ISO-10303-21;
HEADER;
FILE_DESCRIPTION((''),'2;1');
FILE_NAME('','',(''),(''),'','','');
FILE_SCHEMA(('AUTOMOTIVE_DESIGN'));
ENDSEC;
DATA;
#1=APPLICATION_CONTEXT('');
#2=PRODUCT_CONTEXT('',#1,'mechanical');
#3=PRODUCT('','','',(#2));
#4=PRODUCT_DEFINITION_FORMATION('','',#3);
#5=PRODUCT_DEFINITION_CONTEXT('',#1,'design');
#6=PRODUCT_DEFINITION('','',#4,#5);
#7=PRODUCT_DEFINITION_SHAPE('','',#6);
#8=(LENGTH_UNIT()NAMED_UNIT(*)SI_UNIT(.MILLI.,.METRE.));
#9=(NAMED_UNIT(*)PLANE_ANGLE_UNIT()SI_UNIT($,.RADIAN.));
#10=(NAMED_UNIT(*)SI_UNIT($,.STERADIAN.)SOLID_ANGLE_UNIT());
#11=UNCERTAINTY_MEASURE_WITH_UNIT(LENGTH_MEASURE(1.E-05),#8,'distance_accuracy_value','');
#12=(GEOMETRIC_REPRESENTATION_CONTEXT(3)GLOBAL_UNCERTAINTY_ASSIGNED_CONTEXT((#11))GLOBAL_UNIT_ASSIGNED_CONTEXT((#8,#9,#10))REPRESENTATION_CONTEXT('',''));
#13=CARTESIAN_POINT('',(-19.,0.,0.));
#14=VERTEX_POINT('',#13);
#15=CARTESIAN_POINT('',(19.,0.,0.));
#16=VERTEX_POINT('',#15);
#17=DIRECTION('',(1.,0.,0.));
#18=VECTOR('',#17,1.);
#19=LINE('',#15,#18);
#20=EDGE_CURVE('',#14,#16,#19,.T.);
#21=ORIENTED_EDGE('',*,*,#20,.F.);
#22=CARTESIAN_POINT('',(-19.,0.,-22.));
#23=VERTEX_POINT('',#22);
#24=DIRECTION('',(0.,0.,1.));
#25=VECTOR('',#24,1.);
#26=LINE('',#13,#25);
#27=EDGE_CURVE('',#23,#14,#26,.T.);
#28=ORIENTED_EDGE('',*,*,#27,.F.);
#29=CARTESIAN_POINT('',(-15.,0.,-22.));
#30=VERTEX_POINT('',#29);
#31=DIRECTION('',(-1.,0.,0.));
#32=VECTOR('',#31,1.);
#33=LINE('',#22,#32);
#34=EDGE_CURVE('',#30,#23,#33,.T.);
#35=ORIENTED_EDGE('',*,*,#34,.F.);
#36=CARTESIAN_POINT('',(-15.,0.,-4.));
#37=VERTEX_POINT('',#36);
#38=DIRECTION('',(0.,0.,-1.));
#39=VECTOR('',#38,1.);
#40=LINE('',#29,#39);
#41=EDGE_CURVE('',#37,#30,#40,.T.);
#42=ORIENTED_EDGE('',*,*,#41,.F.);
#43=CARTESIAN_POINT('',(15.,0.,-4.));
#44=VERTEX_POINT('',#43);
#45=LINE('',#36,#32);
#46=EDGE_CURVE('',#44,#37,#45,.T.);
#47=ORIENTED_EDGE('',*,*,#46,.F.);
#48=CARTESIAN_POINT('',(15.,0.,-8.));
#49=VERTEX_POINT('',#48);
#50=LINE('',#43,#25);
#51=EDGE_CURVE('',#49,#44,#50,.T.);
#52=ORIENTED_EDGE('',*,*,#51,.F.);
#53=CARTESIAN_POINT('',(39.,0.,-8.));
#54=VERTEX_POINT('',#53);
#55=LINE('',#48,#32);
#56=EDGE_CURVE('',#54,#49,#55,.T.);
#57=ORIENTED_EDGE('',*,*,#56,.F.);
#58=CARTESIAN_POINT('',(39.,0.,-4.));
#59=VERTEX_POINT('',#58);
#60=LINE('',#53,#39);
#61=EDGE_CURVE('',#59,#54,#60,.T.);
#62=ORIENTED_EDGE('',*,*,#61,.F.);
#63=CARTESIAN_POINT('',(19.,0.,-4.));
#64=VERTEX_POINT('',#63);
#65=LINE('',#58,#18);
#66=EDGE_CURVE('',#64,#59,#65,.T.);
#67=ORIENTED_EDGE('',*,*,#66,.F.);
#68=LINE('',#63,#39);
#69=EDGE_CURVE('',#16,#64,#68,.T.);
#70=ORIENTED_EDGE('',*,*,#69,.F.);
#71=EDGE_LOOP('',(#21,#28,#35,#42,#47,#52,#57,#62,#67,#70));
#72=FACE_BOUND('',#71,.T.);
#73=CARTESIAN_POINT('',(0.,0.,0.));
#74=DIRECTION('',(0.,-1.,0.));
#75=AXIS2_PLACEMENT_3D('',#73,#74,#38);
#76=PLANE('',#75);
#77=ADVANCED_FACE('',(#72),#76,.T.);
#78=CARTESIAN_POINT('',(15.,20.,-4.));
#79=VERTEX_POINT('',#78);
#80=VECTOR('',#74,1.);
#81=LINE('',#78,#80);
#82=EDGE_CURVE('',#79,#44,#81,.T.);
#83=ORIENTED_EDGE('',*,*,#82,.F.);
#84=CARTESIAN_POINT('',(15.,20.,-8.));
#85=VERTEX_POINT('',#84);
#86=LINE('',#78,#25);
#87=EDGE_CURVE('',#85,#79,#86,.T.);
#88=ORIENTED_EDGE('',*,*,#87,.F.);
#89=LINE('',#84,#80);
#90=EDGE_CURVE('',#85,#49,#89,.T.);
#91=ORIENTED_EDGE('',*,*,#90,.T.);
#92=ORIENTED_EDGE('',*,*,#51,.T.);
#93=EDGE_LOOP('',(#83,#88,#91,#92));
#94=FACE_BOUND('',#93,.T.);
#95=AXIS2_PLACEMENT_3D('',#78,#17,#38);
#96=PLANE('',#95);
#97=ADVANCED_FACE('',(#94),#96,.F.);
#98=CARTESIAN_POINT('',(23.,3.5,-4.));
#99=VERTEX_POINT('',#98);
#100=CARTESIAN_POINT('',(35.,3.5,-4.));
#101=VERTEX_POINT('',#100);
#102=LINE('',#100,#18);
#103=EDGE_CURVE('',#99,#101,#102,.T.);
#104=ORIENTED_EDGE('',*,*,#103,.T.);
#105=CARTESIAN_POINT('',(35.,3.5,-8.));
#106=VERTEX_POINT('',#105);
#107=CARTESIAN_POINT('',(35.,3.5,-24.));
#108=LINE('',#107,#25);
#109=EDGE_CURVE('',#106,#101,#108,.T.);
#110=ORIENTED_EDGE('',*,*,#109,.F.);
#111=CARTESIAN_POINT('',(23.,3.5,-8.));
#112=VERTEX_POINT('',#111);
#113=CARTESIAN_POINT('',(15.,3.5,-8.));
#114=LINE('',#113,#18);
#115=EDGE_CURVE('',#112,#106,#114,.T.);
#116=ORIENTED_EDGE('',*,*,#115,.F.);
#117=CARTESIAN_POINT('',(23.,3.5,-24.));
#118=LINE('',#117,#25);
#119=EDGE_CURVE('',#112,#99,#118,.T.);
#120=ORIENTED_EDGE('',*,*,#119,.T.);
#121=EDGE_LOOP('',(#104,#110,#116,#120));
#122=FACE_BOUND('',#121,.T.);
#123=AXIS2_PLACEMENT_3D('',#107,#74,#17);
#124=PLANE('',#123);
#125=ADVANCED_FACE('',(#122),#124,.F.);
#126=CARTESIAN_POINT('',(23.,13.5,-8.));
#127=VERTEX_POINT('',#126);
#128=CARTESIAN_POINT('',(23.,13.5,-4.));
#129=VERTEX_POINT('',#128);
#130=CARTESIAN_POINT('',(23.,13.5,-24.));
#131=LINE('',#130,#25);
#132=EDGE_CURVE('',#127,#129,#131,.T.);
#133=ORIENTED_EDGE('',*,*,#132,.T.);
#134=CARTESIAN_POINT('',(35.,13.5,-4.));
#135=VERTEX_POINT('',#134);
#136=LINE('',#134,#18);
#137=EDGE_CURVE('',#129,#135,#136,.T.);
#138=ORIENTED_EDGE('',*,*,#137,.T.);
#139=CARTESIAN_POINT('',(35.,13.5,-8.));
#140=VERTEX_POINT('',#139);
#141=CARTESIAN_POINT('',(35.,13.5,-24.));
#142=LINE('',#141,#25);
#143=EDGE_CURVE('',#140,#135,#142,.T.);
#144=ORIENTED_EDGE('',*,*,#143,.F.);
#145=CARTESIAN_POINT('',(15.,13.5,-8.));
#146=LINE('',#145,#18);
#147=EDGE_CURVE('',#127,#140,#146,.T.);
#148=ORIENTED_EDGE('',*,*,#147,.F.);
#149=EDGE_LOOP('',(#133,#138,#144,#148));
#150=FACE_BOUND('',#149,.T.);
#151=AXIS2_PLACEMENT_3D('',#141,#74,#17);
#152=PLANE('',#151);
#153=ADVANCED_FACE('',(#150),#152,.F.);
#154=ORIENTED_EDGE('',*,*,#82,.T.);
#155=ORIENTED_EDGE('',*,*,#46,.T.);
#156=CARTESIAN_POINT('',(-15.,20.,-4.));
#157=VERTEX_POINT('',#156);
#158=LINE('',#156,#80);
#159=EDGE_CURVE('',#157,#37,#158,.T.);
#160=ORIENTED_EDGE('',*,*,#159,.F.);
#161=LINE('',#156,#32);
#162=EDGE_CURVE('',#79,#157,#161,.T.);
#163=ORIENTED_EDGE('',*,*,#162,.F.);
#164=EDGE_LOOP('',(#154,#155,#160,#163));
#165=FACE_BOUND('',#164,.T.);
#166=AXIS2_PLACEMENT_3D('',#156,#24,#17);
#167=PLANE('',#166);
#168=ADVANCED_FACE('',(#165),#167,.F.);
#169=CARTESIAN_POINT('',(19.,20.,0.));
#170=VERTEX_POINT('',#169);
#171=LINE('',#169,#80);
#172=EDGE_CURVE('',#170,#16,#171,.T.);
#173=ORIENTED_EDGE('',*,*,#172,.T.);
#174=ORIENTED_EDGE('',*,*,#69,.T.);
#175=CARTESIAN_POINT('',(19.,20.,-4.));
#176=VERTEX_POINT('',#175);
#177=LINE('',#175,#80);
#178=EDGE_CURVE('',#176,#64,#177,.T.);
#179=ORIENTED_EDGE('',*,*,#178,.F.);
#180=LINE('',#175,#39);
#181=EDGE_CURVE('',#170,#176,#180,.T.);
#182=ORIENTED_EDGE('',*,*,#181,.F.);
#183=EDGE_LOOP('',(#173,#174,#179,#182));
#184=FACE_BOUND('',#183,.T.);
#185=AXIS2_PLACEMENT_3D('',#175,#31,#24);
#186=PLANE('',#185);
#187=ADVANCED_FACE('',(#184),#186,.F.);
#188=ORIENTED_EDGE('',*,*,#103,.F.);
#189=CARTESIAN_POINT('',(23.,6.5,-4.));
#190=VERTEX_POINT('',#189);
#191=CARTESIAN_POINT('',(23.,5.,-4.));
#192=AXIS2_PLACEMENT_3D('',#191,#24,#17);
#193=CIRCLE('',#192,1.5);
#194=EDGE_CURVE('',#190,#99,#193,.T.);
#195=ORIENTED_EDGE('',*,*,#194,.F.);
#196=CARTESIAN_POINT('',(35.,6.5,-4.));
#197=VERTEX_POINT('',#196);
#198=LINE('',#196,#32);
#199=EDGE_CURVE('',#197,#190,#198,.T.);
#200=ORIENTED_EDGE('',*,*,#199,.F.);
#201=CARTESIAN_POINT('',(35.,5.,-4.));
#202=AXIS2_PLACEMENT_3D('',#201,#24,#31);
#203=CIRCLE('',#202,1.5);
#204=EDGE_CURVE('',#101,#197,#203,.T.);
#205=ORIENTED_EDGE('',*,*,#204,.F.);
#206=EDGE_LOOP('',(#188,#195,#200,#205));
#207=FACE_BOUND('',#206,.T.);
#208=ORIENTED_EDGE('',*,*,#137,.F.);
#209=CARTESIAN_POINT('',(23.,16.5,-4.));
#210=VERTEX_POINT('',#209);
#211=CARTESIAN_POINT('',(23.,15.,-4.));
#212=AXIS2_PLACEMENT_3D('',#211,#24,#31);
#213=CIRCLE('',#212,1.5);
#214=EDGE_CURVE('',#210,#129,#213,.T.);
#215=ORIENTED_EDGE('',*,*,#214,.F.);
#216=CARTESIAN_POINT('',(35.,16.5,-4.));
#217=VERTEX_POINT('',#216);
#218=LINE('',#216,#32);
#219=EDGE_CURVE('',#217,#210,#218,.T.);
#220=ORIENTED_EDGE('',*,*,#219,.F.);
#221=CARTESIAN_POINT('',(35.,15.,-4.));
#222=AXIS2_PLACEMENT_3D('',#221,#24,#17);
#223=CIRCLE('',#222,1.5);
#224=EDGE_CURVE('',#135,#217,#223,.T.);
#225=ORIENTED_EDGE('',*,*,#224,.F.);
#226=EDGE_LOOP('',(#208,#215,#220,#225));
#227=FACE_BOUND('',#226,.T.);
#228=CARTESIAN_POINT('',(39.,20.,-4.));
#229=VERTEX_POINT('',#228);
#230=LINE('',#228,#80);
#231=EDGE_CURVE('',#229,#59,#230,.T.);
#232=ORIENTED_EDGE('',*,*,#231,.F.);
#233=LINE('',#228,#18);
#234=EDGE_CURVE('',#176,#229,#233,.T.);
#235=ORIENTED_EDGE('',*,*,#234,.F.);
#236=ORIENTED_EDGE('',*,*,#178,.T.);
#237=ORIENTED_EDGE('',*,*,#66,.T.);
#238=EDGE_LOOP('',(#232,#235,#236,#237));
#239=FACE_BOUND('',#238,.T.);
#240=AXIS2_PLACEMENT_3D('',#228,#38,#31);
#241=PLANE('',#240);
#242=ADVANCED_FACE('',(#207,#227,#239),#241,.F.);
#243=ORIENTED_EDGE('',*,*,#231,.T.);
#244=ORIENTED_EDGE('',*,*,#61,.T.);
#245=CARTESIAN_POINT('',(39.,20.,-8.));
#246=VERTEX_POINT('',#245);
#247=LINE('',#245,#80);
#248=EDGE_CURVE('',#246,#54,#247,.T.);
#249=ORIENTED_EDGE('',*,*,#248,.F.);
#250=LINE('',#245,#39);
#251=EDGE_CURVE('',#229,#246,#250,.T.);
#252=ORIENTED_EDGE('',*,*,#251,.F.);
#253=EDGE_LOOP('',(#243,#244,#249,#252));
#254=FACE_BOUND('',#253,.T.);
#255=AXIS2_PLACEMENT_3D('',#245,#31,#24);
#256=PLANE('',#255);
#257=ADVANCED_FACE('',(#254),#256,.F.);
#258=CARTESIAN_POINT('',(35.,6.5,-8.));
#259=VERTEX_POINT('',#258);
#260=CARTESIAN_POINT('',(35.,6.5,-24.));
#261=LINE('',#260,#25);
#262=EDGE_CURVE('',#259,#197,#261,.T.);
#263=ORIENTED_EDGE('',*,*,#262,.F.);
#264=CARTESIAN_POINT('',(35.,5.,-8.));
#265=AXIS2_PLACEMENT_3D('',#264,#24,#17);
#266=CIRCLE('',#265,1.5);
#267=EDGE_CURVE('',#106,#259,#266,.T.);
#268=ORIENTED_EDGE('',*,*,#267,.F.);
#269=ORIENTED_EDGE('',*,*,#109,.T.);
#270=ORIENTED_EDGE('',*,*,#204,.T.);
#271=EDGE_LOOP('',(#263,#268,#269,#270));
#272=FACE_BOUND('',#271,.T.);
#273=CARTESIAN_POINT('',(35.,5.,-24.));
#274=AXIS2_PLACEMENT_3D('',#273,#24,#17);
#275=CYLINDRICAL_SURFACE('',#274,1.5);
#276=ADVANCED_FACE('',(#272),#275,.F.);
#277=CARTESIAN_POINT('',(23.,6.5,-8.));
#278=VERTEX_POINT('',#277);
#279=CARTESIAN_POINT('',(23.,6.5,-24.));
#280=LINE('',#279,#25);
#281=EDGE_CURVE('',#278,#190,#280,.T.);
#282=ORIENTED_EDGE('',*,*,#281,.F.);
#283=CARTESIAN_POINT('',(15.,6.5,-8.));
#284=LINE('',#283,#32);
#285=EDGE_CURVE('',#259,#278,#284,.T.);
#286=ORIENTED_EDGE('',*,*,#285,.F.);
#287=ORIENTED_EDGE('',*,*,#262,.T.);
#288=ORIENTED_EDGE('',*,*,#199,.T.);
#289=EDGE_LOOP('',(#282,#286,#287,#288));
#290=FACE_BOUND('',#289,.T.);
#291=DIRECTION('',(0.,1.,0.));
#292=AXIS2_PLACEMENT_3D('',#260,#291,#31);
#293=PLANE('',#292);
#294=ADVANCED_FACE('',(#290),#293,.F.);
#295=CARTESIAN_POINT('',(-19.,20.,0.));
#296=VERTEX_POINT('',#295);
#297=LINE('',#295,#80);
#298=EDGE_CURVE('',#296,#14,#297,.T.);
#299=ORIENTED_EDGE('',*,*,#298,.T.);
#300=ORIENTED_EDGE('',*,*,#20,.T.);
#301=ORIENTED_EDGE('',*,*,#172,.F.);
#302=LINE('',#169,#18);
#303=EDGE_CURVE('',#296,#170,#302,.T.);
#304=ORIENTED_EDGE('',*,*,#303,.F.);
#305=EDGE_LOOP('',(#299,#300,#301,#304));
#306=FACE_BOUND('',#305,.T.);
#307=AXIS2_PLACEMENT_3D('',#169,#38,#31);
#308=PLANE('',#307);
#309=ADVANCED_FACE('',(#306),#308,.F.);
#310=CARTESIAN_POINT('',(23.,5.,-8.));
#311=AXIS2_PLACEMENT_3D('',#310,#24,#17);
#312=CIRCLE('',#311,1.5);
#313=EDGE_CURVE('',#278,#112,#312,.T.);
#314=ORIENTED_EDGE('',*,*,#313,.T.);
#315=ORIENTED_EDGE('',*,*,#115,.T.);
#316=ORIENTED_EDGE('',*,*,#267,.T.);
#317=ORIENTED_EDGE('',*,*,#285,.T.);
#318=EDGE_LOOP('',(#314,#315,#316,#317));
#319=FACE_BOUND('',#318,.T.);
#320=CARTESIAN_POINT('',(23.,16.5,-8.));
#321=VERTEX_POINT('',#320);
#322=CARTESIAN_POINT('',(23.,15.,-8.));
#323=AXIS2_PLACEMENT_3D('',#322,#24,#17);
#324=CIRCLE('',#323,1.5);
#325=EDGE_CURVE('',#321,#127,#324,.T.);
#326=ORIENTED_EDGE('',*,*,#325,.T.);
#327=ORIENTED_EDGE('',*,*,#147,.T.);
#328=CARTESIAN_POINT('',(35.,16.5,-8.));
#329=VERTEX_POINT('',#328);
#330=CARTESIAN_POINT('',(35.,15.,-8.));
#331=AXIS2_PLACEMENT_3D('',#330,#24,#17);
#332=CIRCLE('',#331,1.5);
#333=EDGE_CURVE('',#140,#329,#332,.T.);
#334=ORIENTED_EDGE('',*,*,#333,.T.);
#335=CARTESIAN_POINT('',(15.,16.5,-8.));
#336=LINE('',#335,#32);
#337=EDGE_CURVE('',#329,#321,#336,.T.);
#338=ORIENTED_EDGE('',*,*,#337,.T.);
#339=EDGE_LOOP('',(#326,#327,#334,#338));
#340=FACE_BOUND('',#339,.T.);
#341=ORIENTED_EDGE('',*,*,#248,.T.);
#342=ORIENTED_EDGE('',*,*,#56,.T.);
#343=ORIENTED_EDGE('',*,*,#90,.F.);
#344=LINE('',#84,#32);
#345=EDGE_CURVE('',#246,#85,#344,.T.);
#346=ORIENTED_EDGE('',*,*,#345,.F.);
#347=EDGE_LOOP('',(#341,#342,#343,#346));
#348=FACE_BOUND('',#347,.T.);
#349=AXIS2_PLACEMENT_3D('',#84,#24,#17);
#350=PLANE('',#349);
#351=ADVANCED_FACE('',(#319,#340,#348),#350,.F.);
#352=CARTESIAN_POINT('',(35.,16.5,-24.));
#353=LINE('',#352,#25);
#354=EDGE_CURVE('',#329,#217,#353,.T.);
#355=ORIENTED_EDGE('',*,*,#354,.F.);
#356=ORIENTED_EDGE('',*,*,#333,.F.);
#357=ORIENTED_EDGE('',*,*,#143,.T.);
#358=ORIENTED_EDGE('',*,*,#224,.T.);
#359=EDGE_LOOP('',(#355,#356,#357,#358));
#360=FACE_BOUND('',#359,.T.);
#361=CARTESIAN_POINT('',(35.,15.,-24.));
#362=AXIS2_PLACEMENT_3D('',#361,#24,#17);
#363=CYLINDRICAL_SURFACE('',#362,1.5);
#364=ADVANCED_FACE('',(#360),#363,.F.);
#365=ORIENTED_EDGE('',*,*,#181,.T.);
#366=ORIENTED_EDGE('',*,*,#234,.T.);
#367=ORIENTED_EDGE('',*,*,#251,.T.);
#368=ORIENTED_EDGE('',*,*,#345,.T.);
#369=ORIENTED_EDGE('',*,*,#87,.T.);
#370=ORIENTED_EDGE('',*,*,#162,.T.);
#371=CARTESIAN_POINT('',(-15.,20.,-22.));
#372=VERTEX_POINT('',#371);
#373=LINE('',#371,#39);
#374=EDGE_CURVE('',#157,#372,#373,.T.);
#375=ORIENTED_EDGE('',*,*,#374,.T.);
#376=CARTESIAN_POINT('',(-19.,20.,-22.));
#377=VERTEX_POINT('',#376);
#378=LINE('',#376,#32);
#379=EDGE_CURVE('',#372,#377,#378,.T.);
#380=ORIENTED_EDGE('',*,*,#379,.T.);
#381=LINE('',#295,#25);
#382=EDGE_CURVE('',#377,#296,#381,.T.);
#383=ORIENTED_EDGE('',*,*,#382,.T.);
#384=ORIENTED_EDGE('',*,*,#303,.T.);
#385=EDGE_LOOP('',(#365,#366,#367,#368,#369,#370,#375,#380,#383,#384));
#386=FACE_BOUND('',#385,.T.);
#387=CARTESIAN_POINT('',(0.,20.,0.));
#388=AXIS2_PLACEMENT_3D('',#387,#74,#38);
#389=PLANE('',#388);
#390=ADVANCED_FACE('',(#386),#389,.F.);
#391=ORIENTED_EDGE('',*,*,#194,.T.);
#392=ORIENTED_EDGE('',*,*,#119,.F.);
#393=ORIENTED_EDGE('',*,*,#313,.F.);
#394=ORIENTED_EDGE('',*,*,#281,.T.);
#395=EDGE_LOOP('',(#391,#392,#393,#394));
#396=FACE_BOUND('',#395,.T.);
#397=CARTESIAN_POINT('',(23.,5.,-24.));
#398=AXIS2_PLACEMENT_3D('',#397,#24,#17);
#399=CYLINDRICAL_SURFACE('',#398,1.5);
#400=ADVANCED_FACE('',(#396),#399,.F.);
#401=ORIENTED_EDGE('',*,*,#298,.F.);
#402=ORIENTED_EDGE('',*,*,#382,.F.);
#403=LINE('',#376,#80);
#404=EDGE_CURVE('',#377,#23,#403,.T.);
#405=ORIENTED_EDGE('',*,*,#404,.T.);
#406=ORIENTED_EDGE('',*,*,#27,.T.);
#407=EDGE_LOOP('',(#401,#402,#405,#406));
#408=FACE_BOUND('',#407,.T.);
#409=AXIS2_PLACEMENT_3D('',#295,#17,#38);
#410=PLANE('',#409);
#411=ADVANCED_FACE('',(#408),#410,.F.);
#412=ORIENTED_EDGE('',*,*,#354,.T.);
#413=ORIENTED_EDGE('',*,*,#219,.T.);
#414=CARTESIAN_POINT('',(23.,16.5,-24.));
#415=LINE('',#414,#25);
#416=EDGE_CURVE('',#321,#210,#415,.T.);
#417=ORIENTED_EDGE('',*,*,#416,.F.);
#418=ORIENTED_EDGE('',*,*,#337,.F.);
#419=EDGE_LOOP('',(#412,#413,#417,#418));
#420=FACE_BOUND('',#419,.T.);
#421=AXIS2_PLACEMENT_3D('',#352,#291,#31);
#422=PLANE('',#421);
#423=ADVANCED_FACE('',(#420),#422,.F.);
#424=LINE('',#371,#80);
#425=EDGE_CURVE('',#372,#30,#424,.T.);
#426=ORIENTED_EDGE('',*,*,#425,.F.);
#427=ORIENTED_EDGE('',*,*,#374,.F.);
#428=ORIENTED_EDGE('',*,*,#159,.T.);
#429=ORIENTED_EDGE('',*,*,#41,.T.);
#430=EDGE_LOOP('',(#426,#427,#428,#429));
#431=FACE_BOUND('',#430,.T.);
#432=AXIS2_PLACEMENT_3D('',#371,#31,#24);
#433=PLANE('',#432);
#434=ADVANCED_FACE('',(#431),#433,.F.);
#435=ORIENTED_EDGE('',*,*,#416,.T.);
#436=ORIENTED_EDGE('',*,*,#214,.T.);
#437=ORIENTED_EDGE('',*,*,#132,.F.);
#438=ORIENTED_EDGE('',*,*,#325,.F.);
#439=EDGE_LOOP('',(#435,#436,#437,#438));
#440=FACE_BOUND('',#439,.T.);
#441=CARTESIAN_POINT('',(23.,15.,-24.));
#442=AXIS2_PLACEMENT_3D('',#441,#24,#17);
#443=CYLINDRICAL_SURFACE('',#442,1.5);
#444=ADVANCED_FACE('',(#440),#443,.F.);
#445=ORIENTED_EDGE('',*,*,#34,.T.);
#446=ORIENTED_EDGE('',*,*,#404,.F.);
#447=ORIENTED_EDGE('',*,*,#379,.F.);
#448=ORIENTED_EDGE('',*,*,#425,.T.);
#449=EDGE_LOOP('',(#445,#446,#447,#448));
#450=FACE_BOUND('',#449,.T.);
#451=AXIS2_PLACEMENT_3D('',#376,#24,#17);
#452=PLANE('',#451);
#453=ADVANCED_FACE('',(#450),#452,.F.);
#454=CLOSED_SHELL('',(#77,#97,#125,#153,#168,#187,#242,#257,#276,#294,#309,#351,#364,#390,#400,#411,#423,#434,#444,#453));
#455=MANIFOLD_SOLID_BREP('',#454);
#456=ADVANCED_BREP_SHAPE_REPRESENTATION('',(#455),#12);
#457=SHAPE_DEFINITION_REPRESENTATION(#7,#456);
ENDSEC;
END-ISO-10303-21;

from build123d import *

# Parameters (mm, degrees)
SALIENTE_EXTRUIR1_DEPTH = 20
CORTAR_EXTRUIR1_DEPTH   = 20


with BuildPart() as part:
    # Croquis1 → Saliente-Extruir1 (new body)
    with BuildSketch(Plane(origin=(0, 0, 0), x_dir=(1, 0, 0), z_dir=(0, 1, 0))):
        Polygon((-19, 22), (-15, 22), (-15, 4), (15, 4), (15, 8), (39, 8), (39, 4), (19, 4), (19, 0), (-19, 0), align=None)
    extrude(amount=SALIENTE_EXTRUIR1_DEPTH)

    # Croquis2 → Cortar-Extruir1 (cut)
    with BuildSketch(Plane.XY.offset(-4)):
        with BuildLine():
            Line((35, 16.5), (23, 16.5))
            ThreePointArc((23, 16.5), (21.5, 15), (23, 13.5))
            Line((23, 13.5), (35, 13.5))
            ThreePointArc((35, 13.5), (36.5, 15), (35, 16.5))
        make_face()
        with BuildLine():
            Line((35, 3.5), (23, 3.5))
            ThreePointArc((23, 3.5), (21.5, 5), (23, 6.5))
            Line((23, 6.5), (35, 6.5))
            ThreePointArc((35, 6.5), (36.5, 5), (35, 3.5))
        make_face()
    extrude(amount=-CORTAR_EXTRUIR1_DEPTH, mode=Mode.SUBTRACT)


solid = part.part
